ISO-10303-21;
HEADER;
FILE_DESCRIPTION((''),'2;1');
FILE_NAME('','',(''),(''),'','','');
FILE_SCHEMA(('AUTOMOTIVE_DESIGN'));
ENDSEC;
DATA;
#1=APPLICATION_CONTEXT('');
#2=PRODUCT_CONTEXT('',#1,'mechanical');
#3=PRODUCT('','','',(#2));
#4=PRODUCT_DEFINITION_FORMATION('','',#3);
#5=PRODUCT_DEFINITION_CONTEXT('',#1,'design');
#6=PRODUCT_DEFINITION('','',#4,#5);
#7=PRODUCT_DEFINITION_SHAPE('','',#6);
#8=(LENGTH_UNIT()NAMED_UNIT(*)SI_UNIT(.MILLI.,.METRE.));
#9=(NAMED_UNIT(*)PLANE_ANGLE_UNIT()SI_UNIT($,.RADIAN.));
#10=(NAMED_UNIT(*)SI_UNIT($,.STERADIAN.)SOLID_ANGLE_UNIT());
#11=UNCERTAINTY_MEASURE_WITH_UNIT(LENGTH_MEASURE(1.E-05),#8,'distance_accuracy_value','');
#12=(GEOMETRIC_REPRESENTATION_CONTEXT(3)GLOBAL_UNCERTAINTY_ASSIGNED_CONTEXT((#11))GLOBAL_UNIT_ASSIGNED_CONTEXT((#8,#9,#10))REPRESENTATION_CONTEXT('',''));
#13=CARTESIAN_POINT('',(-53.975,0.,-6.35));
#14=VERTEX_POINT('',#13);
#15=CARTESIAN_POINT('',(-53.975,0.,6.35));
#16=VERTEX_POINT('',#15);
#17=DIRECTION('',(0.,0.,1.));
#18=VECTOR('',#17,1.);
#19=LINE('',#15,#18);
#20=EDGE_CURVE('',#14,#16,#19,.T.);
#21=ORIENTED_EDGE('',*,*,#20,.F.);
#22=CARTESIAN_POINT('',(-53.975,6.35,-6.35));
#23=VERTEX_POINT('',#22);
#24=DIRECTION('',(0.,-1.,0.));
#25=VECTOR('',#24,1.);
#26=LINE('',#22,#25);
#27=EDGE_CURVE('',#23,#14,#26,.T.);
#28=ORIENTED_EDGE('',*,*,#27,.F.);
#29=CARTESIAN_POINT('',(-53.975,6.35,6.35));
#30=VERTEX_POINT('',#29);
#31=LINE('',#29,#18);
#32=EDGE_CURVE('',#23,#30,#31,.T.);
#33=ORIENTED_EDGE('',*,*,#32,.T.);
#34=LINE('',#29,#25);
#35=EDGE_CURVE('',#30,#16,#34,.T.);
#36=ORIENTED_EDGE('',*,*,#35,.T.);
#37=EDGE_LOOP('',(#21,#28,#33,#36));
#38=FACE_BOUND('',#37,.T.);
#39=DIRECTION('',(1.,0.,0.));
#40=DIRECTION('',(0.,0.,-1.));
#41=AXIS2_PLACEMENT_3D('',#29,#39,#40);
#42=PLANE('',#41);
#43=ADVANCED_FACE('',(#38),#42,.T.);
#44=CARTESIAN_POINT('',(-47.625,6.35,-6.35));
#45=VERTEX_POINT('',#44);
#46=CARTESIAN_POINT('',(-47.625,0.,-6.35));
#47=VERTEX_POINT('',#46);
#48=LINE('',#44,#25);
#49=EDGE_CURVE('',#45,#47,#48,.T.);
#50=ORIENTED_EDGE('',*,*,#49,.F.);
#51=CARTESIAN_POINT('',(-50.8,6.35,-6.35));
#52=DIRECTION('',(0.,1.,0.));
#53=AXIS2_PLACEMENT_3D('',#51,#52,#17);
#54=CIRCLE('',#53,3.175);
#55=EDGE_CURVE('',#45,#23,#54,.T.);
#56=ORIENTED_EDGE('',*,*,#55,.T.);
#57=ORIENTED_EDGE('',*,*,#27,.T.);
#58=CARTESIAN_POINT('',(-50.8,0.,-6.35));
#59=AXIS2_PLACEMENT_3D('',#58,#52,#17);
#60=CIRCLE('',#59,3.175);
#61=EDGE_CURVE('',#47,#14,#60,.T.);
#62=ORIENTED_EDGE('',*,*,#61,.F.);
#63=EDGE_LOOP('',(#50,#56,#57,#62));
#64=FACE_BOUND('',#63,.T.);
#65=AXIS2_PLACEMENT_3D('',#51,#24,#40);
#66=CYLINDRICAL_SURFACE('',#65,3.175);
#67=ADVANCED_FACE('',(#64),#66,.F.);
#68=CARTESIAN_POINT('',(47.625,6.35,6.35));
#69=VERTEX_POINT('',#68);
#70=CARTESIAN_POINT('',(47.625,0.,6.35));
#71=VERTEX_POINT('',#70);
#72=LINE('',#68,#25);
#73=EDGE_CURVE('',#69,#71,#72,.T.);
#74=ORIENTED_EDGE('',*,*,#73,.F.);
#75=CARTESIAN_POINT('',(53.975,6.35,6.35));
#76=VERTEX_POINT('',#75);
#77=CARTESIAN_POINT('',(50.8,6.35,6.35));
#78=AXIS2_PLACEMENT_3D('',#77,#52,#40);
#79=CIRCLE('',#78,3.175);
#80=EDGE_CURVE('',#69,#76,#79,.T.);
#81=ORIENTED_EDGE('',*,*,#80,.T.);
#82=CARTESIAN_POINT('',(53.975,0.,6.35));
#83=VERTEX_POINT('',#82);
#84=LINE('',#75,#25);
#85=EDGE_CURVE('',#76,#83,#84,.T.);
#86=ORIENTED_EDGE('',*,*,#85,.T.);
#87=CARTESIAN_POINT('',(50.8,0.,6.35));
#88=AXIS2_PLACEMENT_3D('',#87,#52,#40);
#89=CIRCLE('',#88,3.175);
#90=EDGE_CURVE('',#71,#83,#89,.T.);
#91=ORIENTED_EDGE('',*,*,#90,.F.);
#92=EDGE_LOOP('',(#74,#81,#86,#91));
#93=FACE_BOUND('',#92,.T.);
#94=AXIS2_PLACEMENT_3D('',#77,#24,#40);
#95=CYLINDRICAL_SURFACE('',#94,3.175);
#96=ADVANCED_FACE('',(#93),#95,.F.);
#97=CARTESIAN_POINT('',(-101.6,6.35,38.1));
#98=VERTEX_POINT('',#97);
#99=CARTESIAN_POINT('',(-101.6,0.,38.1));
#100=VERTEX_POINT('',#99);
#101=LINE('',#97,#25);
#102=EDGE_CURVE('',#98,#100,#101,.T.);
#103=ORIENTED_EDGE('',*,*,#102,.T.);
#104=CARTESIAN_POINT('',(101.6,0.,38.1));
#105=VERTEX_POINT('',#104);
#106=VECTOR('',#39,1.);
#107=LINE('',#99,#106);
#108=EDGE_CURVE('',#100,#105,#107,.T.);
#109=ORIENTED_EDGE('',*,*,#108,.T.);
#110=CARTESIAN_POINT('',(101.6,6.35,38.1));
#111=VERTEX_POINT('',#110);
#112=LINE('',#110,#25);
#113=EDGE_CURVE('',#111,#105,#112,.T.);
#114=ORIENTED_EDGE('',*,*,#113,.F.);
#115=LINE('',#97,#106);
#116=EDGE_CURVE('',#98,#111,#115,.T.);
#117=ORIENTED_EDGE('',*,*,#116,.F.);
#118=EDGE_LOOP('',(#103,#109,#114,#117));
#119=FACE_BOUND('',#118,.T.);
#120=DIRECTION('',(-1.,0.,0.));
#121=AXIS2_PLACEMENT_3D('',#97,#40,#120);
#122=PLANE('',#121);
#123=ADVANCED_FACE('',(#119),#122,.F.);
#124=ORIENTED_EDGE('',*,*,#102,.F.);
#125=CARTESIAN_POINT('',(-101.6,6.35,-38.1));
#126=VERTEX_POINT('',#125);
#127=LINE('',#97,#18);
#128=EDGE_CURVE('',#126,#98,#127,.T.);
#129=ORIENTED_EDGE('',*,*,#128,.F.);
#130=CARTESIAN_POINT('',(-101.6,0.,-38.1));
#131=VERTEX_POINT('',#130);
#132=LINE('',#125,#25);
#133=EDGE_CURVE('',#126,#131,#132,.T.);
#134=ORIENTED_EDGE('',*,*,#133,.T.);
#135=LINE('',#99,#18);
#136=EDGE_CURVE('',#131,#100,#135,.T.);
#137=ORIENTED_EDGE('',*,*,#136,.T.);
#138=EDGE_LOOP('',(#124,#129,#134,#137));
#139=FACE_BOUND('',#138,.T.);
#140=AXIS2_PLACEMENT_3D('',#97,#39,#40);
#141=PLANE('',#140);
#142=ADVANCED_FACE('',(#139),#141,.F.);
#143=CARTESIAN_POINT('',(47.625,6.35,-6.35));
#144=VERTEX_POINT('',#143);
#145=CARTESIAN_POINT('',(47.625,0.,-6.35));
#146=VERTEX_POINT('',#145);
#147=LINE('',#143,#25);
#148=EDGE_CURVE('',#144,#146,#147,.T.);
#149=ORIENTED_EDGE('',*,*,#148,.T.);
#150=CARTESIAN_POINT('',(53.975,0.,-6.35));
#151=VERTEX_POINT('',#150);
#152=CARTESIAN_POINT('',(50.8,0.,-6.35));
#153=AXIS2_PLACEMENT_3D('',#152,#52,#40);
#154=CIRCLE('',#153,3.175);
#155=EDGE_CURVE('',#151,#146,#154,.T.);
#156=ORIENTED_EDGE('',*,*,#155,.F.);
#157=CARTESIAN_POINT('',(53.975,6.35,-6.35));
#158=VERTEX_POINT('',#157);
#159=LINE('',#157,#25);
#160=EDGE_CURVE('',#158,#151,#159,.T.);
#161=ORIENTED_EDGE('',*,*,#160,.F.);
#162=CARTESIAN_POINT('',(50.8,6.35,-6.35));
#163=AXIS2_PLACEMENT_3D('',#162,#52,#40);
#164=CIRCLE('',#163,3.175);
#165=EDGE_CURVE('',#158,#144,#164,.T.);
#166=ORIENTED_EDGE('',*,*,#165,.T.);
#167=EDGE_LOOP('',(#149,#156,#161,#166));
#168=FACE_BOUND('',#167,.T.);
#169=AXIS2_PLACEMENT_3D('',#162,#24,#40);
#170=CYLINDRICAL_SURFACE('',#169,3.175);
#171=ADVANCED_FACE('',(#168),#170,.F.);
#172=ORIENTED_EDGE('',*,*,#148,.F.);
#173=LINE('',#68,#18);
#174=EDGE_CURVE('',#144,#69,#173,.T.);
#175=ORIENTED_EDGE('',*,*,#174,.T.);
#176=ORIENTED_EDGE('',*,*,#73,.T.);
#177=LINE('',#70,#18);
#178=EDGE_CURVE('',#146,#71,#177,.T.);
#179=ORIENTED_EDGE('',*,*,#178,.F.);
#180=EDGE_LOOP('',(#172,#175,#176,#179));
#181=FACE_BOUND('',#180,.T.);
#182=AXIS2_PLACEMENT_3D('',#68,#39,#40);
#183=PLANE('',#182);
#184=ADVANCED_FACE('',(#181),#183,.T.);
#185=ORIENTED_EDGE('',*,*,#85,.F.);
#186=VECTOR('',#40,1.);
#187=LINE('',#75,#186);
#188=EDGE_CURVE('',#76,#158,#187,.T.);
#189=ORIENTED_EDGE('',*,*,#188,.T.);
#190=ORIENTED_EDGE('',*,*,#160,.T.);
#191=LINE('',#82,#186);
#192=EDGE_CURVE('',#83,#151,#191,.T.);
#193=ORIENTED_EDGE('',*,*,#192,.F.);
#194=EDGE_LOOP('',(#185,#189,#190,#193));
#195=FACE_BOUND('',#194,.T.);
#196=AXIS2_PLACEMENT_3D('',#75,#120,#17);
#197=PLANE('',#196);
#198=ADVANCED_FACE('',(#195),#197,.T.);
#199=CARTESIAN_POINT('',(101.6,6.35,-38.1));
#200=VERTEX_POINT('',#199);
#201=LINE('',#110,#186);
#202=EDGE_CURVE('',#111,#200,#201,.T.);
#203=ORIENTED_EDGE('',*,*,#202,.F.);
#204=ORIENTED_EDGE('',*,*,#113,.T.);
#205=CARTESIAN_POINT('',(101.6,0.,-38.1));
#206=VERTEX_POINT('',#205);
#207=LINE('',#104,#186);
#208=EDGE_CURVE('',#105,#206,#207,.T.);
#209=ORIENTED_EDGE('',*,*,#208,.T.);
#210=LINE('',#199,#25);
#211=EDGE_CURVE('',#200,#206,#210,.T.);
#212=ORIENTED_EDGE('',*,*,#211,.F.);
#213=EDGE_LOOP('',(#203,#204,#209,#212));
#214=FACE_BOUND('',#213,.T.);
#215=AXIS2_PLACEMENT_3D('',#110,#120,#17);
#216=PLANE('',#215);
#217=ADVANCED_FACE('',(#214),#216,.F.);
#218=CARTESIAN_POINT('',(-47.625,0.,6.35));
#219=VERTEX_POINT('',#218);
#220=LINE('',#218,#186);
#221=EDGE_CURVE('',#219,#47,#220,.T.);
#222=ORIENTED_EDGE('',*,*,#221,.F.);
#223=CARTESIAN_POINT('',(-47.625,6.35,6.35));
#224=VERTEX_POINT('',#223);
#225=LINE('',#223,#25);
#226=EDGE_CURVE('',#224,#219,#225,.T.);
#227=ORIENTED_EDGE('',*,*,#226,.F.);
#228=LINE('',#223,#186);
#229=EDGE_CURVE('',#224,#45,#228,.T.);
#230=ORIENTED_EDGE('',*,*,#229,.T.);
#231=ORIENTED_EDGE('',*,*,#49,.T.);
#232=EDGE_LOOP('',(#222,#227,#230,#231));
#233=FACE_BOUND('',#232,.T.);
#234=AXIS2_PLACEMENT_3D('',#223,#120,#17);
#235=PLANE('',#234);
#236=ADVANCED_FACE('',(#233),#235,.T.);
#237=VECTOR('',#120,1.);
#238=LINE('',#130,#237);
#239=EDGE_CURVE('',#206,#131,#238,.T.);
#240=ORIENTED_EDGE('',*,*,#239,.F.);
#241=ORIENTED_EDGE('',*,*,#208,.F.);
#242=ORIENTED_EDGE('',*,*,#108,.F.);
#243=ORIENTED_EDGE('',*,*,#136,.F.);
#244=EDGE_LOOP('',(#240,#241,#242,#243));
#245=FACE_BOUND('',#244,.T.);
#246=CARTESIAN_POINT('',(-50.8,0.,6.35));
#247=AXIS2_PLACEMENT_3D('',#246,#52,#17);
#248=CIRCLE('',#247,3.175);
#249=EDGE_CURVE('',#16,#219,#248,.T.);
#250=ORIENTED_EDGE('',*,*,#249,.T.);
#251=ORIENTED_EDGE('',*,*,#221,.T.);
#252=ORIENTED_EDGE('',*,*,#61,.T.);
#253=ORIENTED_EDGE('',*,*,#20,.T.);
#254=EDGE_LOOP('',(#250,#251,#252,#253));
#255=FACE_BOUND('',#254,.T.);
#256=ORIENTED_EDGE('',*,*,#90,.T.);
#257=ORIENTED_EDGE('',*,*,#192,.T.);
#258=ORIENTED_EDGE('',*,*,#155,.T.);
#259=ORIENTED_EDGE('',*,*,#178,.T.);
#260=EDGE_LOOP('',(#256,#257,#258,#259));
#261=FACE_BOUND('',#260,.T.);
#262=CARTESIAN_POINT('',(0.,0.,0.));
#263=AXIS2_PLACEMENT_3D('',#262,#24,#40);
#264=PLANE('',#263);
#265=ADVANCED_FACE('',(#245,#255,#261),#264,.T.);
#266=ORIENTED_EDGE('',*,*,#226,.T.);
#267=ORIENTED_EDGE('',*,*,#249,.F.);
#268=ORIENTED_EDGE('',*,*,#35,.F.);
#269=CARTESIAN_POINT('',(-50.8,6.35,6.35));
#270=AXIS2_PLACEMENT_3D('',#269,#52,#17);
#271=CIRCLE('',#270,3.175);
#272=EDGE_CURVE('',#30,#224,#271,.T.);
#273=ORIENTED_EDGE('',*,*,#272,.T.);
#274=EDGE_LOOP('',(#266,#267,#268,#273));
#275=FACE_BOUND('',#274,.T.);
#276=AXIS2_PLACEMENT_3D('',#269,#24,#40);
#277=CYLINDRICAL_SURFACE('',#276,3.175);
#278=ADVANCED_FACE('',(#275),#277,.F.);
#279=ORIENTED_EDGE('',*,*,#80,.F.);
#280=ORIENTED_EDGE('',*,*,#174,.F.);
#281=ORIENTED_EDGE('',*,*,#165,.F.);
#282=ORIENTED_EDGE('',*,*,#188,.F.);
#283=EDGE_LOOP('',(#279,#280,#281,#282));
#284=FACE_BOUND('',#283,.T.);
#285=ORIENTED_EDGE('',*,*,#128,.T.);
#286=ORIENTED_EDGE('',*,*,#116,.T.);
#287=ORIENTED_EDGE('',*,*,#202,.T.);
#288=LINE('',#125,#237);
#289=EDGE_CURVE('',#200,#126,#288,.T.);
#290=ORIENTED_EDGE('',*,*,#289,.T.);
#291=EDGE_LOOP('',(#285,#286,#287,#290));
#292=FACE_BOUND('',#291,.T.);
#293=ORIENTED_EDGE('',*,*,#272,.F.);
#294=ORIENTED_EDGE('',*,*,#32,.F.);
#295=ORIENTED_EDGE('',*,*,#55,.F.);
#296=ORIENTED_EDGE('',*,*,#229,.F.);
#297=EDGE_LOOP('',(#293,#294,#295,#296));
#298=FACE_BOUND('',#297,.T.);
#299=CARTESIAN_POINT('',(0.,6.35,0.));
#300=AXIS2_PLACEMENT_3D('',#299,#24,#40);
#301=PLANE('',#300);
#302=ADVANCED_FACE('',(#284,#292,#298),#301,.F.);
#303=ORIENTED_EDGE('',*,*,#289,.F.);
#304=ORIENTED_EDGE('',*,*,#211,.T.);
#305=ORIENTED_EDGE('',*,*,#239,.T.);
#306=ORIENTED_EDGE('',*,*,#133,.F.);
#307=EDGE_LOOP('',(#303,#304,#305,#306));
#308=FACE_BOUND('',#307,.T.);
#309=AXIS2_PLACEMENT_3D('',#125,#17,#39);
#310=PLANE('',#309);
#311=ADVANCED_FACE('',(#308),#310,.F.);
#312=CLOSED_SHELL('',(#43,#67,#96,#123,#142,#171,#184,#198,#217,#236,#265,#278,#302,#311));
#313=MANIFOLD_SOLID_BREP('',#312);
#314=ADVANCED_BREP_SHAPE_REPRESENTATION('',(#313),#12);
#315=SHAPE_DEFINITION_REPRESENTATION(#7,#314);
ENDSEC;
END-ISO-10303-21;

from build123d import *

# Parameters (mm, degrees)
SKETCH1_W           = 203.2
SKETCH1_H           = 76.2
BOSS_EXTRUDE1_DEPTH = 6.35


with BuildPart() as part:
    # Sketch1 → Boss-Extrude1 (new body)
    with BuildSketch(Plane(origin=(0, 0, 0), x_dir=(1, 0, 0), z_dir=(0, 1, 0))):
        Rectangle(SKETCH1_W, SKETCH1_H)
        with BuildLine():
            Line((-53.975, -6.35), (-53.975, 6.35))
            ThreePointArc((-53.975, 6.35), (-50.8, 9.525), (-47.625, 6.35))
            Line((-47.625, 6.35), (-47.625, -6.35))
            ThreePointArc((-47.625, -6.35), (-50.8, -9.525), (-53.975, -6.35))
        make_face(mode=Mode.SUBTRACT)
        with BuildLine():
            Line((53.975, -6.35), (53.975, 6.35))
            ThreePointArc((53.975, 6.35), (50.8, 9.525), (47.625, 6.35))
            Line((47.625, 6.35), (47.625, -6.35))
            ThreePointArc((47.625, -6.35), (50.8, -9.525), (53.975, -6.35))
        make_face(mode=Mode.SUBTRACT)
    extrude(amount=BOSS_EXTRUDE1_DEPTH)


solid = part.part
